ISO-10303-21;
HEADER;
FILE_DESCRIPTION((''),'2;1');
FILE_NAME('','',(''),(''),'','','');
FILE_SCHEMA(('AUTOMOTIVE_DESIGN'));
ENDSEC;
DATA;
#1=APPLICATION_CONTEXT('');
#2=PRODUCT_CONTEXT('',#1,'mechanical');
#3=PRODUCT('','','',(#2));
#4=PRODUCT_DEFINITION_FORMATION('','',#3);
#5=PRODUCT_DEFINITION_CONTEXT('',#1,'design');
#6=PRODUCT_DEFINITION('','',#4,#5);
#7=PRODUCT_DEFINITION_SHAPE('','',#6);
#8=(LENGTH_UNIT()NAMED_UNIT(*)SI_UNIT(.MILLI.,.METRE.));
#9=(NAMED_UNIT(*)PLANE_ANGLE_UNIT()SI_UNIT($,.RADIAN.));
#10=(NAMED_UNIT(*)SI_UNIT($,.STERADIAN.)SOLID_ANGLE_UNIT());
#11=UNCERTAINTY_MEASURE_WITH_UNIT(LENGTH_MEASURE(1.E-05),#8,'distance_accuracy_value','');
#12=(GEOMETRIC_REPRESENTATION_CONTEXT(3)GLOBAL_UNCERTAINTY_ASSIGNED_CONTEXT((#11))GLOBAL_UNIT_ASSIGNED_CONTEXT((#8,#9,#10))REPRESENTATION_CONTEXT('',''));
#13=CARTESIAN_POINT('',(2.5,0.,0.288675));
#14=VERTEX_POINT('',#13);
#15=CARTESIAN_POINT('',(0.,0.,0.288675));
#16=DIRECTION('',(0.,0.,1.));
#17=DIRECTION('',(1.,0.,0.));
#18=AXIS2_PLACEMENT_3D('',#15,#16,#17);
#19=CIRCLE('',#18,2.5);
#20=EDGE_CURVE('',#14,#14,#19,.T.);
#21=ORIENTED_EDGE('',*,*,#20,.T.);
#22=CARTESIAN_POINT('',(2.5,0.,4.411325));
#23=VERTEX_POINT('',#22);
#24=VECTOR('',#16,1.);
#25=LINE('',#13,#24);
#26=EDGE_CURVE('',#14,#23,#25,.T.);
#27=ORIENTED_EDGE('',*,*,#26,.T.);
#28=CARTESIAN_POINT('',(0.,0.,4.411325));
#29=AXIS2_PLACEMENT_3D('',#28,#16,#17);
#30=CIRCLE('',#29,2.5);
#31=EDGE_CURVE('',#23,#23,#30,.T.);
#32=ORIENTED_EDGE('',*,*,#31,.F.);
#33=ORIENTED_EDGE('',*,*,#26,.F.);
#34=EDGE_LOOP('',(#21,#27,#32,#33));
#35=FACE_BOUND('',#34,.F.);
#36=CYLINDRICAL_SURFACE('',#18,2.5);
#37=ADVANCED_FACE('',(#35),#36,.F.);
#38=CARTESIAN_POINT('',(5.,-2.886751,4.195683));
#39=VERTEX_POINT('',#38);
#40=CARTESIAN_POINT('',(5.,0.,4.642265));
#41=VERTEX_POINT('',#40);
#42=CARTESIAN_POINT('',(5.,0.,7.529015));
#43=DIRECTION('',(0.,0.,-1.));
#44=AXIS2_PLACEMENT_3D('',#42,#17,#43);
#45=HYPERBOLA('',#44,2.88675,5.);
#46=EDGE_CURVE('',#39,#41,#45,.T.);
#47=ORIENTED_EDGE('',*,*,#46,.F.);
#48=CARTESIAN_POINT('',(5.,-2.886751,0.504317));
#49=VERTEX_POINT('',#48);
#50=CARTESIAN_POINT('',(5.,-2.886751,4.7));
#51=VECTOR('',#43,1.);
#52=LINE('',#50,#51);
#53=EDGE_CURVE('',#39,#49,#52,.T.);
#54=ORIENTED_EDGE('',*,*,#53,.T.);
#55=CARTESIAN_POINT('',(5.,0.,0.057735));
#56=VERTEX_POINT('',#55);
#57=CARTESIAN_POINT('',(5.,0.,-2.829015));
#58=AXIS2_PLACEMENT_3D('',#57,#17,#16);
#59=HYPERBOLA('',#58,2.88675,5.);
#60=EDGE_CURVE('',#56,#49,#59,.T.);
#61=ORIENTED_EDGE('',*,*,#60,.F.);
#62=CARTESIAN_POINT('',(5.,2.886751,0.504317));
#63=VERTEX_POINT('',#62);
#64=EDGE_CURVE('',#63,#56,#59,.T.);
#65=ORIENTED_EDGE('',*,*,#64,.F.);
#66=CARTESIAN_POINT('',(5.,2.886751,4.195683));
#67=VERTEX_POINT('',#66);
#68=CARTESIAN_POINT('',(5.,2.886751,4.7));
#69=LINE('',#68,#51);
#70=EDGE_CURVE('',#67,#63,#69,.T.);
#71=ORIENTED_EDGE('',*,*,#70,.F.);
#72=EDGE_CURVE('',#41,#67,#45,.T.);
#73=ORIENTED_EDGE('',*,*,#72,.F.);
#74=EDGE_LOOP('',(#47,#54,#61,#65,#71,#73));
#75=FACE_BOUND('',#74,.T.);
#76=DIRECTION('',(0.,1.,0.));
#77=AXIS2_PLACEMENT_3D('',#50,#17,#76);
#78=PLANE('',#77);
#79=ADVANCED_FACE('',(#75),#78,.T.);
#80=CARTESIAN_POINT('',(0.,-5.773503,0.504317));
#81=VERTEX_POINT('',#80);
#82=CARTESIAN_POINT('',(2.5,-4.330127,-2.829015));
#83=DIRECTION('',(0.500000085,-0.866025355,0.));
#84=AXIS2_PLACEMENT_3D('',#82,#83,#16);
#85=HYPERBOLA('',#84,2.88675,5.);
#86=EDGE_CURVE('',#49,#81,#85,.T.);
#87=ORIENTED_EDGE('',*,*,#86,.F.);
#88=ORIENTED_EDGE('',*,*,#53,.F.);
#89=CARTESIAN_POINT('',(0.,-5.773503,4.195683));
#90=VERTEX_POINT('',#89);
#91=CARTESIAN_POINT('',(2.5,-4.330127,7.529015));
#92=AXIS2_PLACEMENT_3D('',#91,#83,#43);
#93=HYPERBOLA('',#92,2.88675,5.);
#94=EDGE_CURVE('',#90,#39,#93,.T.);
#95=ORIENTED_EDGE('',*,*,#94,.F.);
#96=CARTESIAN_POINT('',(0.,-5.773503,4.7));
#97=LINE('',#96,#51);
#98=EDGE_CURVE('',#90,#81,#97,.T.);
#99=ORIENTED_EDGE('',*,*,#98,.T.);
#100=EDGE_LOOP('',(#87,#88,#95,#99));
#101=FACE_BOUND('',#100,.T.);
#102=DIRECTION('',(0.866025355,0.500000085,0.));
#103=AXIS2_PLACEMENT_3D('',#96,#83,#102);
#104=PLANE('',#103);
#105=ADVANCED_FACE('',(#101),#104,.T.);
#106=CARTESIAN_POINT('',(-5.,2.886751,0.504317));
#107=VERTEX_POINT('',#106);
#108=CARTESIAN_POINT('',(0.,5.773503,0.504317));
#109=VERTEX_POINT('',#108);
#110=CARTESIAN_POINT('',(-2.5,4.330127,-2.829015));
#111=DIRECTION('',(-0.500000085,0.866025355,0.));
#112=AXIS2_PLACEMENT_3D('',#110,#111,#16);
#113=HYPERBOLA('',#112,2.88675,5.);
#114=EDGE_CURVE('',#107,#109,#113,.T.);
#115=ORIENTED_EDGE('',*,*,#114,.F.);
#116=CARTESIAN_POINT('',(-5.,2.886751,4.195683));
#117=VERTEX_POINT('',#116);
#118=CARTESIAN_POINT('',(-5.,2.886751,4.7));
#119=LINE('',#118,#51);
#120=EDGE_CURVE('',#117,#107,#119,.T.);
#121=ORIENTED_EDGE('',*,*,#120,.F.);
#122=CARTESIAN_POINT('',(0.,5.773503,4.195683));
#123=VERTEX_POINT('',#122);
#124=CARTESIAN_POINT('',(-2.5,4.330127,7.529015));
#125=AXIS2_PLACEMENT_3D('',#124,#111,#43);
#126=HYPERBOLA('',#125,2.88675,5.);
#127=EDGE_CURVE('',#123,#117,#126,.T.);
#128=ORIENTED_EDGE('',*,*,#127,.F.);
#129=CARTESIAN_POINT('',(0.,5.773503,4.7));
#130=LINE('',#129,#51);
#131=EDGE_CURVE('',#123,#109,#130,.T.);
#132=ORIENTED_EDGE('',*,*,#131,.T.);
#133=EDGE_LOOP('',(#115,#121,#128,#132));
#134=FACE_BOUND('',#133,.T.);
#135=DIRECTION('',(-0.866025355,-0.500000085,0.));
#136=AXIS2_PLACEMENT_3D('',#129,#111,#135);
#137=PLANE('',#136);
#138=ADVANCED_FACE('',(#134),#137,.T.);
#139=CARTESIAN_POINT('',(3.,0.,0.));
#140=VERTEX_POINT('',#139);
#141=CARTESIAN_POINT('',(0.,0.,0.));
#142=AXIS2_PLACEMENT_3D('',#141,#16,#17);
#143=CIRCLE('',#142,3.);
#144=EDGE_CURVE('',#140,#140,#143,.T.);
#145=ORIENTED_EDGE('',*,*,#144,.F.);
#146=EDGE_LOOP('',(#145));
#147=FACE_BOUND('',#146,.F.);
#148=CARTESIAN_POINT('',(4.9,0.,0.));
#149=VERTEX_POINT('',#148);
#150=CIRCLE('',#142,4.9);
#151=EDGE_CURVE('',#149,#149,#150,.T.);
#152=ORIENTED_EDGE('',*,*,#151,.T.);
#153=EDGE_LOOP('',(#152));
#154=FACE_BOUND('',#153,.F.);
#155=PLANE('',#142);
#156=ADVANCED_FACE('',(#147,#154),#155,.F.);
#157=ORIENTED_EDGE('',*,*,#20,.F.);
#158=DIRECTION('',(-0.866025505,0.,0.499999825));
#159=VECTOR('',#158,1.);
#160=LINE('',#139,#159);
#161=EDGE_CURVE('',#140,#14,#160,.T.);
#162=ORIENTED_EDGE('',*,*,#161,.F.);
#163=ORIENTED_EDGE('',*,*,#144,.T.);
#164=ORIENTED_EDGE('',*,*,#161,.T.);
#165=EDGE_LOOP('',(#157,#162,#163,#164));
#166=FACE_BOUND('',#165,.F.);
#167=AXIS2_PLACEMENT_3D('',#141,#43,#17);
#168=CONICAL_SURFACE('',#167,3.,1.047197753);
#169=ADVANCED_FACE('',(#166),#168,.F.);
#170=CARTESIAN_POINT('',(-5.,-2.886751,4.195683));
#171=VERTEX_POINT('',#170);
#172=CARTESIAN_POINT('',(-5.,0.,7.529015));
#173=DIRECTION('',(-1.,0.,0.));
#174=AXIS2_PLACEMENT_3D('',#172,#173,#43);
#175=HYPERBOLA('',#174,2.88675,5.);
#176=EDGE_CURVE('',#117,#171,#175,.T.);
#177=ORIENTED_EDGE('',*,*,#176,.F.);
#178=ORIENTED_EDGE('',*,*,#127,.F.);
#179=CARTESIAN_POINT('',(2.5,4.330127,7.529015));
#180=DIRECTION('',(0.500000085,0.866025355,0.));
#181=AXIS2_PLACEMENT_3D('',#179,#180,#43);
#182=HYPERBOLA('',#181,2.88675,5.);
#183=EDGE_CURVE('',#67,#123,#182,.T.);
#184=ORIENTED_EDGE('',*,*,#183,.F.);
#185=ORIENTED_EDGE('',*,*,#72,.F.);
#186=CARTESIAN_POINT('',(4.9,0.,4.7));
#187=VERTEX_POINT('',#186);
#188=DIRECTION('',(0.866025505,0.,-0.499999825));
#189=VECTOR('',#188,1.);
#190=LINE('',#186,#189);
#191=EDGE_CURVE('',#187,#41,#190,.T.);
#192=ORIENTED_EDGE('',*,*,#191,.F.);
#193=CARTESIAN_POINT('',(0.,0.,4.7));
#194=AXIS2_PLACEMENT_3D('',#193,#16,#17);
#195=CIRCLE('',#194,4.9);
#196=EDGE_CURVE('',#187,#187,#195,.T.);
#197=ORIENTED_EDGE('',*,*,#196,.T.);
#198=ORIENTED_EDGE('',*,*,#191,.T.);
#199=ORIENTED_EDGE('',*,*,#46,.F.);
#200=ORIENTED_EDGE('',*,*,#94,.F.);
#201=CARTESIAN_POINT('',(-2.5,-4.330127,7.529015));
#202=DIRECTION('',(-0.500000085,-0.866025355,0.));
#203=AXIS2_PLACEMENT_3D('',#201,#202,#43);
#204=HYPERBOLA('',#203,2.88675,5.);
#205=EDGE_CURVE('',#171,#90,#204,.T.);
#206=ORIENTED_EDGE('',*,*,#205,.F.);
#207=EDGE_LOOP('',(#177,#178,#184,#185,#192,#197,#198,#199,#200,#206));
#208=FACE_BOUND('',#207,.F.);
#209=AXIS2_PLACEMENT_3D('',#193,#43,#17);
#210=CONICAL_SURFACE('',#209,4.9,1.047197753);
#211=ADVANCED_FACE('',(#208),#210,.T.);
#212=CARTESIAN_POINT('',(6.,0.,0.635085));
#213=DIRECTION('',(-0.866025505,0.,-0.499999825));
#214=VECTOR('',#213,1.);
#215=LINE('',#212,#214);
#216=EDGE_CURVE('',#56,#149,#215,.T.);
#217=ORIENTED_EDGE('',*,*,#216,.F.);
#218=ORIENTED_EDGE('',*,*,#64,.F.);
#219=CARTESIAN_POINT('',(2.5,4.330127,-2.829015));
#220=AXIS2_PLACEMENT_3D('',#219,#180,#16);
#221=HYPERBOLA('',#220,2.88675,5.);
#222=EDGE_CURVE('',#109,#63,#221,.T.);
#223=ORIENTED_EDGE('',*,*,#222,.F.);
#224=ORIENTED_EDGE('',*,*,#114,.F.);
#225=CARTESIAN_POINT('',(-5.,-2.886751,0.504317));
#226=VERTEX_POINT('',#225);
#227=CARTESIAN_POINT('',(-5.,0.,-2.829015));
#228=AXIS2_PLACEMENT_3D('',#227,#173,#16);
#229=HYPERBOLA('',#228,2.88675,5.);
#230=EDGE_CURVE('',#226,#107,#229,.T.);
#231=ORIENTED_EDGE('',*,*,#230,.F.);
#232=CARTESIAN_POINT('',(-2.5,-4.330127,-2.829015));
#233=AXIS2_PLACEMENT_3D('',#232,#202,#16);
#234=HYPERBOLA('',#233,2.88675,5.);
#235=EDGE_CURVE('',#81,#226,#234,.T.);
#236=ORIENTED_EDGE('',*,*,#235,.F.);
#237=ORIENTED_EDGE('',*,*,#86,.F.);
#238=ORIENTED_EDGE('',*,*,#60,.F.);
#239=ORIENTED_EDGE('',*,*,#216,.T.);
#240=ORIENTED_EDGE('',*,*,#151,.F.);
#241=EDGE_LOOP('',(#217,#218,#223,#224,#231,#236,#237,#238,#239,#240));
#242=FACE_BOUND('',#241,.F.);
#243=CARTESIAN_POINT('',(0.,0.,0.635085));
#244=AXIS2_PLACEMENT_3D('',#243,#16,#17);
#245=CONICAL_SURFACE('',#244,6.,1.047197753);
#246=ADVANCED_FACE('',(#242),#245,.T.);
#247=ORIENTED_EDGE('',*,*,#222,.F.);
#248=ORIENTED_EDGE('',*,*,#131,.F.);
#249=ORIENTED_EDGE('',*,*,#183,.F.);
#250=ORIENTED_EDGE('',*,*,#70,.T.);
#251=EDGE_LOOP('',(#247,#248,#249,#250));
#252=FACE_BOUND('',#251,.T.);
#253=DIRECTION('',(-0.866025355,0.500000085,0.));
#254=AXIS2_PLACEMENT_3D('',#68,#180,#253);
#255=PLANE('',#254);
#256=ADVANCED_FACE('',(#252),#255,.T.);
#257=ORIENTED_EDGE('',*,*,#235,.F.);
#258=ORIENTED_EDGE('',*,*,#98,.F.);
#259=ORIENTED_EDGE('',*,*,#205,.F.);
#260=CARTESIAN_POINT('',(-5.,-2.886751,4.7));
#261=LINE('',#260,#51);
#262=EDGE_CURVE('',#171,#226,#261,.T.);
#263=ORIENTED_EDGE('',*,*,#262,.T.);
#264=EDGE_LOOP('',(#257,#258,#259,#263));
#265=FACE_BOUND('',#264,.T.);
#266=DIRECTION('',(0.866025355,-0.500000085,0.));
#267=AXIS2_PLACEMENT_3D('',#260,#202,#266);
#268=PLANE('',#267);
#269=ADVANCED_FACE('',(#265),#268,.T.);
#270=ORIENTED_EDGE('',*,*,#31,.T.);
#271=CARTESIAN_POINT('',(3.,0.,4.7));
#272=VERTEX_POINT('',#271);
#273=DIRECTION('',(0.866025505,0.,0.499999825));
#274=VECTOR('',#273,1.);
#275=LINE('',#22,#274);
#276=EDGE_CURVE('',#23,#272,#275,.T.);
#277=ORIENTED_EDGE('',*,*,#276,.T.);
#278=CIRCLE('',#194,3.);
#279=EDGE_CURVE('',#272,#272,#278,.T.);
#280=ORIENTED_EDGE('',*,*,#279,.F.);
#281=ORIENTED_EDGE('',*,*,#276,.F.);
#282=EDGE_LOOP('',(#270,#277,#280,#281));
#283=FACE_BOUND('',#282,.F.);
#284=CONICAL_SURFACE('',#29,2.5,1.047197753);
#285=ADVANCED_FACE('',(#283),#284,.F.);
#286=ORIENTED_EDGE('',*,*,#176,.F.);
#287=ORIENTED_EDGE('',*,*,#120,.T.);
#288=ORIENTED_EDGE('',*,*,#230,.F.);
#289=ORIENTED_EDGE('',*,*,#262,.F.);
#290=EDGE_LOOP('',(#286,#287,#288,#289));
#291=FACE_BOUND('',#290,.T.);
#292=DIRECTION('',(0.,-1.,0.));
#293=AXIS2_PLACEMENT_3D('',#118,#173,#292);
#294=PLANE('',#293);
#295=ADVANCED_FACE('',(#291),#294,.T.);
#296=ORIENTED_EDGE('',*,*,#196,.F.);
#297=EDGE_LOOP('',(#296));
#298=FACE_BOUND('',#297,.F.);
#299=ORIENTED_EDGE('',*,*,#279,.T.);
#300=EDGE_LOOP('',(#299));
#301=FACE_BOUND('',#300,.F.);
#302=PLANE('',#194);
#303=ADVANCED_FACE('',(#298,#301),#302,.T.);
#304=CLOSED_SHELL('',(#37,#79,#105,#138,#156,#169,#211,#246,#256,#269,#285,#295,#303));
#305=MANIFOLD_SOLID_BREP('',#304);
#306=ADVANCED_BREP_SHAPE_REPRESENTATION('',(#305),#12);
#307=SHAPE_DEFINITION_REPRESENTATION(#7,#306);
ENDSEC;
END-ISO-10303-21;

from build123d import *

# Parameters (mm, degrees)
SKETCH001_R  = 7
POCKET_DEPTH = 4.7


with BuildPart() as part:
    # Sketch → Revolution (revolve)
    with BuildSketch(Plane.XZ):
        Polygon((3, 0), (2.5, 0.288675), (2.5, 4.411325), (3, 4.7), (4.9, 4.7), (6, 4.064915), (6, 0.635085), (4.9, 0), align=None)
    revolve(axis=Axis((0, 0, 0), (0, 0, 1)))

    # Sketch001 → Pocket (cut)
    with BuildSketch(Plane(origin=(0, 0, 4.7), x_dir=(-1, 0, 0), z_dir=(0, 0, 1))):
        Circle(SKETCH001_R)
        Polygon((-5, 2.886751), (-5, -2.886751), (0, -5.773503), (5, -2.886751), (5, 2.886751), (0, 5.773503), align=None, mode=Mode.SUBTRACT)
    extrude(amount=-POCKET_DEPTH, mode=Mode.SUBTRACT)


solid = part.part
